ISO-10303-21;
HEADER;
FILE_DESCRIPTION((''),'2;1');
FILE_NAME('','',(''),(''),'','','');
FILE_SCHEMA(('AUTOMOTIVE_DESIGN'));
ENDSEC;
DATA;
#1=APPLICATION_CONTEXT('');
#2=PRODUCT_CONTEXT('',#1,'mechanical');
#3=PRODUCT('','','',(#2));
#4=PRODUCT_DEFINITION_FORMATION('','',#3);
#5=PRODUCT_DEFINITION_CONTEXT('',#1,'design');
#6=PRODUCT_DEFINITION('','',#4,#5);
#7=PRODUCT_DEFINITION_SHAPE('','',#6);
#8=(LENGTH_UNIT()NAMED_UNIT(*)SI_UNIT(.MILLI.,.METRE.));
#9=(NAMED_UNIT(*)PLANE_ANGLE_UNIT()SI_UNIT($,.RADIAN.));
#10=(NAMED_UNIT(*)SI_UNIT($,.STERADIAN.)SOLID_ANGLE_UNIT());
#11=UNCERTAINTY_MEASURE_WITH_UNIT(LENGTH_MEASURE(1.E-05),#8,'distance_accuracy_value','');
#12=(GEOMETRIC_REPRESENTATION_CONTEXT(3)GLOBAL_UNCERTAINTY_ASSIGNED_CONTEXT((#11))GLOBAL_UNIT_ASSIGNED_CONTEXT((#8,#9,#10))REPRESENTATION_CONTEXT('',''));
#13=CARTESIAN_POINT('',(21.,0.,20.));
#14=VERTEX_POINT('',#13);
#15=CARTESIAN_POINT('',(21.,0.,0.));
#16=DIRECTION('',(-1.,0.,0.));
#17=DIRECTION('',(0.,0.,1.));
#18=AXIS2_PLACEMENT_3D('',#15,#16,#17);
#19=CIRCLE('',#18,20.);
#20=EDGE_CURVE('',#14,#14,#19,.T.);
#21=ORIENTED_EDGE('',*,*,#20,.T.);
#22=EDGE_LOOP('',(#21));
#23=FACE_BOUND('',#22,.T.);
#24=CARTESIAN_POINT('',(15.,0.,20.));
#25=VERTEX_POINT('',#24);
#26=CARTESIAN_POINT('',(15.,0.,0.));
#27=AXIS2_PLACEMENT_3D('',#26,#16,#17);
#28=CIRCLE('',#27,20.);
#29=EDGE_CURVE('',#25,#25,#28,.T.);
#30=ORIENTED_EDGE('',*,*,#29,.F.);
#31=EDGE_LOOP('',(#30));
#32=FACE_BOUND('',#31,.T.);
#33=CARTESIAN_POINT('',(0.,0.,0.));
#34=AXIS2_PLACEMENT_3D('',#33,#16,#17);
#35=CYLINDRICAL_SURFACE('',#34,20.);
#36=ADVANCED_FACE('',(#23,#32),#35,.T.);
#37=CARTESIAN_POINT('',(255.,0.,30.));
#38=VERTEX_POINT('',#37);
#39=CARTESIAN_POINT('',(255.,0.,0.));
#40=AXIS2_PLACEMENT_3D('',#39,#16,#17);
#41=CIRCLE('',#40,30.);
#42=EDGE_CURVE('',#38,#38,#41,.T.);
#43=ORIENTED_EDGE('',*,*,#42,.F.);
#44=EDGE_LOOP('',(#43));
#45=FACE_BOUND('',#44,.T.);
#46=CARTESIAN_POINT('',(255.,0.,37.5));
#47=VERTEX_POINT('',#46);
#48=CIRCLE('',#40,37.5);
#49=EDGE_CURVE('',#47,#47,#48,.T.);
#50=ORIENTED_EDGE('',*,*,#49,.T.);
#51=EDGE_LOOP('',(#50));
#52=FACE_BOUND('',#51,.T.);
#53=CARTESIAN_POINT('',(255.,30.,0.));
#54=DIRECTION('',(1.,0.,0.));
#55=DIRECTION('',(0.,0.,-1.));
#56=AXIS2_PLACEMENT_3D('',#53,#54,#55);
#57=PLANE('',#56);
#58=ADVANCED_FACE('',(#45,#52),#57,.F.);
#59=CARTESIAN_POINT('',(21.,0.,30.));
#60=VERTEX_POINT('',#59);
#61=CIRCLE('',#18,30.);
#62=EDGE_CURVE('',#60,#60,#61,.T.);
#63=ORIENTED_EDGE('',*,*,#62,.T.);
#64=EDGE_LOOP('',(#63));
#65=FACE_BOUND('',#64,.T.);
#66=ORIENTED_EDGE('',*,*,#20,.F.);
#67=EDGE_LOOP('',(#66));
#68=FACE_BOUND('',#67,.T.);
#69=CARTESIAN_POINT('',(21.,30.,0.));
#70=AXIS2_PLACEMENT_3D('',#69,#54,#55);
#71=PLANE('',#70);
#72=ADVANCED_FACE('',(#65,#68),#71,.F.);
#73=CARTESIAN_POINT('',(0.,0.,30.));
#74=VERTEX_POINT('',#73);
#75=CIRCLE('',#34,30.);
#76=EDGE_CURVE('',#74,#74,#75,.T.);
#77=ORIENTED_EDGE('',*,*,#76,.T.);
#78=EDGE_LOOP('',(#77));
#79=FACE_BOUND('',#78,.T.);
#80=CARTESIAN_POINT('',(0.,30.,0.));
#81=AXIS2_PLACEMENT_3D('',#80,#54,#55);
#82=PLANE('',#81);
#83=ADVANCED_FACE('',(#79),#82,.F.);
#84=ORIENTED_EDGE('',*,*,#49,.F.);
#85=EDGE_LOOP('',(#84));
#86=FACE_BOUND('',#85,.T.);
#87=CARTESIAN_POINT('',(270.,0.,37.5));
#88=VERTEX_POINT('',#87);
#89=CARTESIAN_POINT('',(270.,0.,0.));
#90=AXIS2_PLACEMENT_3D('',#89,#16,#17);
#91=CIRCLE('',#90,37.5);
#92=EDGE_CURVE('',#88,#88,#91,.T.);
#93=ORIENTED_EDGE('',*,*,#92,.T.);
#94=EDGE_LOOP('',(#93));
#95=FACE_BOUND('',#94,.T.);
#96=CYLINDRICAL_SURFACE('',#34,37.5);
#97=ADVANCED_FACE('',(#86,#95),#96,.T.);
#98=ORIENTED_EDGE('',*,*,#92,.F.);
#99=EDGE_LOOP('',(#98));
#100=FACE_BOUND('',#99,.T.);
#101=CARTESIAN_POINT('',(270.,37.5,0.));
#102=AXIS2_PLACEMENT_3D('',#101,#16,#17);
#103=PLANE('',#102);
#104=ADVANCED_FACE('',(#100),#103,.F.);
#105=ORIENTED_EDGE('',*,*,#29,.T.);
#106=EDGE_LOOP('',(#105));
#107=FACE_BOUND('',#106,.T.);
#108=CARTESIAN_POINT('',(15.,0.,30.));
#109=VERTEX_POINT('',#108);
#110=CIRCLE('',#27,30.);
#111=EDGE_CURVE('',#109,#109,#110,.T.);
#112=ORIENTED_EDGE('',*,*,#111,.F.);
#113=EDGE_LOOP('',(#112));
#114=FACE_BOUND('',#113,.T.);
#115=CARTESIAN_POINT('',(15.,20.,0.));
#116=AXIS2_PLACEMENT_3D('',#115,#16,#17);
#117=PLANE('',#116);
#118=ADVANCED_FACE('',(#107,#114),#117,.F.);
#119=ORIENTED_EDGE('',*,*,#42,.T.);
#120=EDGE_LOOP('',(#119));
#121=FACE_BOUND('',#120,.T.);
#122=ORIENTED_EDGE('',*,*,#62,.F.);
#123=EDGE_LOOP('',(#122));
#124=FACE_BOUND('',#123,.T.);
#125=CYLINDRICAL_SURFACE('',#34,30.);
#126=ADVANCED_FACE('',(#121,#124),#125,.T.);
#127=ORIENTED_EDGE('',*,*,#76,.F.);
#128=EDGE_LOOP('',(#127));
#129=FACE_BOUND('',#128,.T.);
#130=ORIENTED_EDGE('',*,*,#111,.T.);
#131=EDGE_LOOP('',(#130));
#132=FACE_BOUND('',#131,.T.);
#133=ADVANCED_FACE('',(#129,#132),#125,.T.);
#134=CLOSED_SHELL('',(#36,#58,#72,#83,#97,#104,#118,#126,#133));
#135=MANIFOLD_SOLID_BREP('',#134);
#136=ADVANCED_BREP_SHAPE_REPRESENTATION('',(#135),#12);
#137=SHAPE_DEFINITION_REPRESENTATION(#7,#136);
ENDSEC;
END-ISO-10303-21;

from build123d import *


with BuildPart() as part:
    # 草图1 → 旋转1 (revolve)
    with BuildSketch(Plane.XY, mode=Mode.PRIVATE) as revolve_1_sk:
        Polygon((0, 0), (270, 0), (270, 37.5), (255, 37.5), (255, 30), (21, 30), (21, 20), (15, 20), (15, 30), (0, 30), align=None)
    revolve(revolve_1_sk.sketch.rotate(Axis((0, 0, 0), (1, 0, 0)), 90), axis=Axis((0, 0, 0), (1, 0, 0)))


solid = part.part
